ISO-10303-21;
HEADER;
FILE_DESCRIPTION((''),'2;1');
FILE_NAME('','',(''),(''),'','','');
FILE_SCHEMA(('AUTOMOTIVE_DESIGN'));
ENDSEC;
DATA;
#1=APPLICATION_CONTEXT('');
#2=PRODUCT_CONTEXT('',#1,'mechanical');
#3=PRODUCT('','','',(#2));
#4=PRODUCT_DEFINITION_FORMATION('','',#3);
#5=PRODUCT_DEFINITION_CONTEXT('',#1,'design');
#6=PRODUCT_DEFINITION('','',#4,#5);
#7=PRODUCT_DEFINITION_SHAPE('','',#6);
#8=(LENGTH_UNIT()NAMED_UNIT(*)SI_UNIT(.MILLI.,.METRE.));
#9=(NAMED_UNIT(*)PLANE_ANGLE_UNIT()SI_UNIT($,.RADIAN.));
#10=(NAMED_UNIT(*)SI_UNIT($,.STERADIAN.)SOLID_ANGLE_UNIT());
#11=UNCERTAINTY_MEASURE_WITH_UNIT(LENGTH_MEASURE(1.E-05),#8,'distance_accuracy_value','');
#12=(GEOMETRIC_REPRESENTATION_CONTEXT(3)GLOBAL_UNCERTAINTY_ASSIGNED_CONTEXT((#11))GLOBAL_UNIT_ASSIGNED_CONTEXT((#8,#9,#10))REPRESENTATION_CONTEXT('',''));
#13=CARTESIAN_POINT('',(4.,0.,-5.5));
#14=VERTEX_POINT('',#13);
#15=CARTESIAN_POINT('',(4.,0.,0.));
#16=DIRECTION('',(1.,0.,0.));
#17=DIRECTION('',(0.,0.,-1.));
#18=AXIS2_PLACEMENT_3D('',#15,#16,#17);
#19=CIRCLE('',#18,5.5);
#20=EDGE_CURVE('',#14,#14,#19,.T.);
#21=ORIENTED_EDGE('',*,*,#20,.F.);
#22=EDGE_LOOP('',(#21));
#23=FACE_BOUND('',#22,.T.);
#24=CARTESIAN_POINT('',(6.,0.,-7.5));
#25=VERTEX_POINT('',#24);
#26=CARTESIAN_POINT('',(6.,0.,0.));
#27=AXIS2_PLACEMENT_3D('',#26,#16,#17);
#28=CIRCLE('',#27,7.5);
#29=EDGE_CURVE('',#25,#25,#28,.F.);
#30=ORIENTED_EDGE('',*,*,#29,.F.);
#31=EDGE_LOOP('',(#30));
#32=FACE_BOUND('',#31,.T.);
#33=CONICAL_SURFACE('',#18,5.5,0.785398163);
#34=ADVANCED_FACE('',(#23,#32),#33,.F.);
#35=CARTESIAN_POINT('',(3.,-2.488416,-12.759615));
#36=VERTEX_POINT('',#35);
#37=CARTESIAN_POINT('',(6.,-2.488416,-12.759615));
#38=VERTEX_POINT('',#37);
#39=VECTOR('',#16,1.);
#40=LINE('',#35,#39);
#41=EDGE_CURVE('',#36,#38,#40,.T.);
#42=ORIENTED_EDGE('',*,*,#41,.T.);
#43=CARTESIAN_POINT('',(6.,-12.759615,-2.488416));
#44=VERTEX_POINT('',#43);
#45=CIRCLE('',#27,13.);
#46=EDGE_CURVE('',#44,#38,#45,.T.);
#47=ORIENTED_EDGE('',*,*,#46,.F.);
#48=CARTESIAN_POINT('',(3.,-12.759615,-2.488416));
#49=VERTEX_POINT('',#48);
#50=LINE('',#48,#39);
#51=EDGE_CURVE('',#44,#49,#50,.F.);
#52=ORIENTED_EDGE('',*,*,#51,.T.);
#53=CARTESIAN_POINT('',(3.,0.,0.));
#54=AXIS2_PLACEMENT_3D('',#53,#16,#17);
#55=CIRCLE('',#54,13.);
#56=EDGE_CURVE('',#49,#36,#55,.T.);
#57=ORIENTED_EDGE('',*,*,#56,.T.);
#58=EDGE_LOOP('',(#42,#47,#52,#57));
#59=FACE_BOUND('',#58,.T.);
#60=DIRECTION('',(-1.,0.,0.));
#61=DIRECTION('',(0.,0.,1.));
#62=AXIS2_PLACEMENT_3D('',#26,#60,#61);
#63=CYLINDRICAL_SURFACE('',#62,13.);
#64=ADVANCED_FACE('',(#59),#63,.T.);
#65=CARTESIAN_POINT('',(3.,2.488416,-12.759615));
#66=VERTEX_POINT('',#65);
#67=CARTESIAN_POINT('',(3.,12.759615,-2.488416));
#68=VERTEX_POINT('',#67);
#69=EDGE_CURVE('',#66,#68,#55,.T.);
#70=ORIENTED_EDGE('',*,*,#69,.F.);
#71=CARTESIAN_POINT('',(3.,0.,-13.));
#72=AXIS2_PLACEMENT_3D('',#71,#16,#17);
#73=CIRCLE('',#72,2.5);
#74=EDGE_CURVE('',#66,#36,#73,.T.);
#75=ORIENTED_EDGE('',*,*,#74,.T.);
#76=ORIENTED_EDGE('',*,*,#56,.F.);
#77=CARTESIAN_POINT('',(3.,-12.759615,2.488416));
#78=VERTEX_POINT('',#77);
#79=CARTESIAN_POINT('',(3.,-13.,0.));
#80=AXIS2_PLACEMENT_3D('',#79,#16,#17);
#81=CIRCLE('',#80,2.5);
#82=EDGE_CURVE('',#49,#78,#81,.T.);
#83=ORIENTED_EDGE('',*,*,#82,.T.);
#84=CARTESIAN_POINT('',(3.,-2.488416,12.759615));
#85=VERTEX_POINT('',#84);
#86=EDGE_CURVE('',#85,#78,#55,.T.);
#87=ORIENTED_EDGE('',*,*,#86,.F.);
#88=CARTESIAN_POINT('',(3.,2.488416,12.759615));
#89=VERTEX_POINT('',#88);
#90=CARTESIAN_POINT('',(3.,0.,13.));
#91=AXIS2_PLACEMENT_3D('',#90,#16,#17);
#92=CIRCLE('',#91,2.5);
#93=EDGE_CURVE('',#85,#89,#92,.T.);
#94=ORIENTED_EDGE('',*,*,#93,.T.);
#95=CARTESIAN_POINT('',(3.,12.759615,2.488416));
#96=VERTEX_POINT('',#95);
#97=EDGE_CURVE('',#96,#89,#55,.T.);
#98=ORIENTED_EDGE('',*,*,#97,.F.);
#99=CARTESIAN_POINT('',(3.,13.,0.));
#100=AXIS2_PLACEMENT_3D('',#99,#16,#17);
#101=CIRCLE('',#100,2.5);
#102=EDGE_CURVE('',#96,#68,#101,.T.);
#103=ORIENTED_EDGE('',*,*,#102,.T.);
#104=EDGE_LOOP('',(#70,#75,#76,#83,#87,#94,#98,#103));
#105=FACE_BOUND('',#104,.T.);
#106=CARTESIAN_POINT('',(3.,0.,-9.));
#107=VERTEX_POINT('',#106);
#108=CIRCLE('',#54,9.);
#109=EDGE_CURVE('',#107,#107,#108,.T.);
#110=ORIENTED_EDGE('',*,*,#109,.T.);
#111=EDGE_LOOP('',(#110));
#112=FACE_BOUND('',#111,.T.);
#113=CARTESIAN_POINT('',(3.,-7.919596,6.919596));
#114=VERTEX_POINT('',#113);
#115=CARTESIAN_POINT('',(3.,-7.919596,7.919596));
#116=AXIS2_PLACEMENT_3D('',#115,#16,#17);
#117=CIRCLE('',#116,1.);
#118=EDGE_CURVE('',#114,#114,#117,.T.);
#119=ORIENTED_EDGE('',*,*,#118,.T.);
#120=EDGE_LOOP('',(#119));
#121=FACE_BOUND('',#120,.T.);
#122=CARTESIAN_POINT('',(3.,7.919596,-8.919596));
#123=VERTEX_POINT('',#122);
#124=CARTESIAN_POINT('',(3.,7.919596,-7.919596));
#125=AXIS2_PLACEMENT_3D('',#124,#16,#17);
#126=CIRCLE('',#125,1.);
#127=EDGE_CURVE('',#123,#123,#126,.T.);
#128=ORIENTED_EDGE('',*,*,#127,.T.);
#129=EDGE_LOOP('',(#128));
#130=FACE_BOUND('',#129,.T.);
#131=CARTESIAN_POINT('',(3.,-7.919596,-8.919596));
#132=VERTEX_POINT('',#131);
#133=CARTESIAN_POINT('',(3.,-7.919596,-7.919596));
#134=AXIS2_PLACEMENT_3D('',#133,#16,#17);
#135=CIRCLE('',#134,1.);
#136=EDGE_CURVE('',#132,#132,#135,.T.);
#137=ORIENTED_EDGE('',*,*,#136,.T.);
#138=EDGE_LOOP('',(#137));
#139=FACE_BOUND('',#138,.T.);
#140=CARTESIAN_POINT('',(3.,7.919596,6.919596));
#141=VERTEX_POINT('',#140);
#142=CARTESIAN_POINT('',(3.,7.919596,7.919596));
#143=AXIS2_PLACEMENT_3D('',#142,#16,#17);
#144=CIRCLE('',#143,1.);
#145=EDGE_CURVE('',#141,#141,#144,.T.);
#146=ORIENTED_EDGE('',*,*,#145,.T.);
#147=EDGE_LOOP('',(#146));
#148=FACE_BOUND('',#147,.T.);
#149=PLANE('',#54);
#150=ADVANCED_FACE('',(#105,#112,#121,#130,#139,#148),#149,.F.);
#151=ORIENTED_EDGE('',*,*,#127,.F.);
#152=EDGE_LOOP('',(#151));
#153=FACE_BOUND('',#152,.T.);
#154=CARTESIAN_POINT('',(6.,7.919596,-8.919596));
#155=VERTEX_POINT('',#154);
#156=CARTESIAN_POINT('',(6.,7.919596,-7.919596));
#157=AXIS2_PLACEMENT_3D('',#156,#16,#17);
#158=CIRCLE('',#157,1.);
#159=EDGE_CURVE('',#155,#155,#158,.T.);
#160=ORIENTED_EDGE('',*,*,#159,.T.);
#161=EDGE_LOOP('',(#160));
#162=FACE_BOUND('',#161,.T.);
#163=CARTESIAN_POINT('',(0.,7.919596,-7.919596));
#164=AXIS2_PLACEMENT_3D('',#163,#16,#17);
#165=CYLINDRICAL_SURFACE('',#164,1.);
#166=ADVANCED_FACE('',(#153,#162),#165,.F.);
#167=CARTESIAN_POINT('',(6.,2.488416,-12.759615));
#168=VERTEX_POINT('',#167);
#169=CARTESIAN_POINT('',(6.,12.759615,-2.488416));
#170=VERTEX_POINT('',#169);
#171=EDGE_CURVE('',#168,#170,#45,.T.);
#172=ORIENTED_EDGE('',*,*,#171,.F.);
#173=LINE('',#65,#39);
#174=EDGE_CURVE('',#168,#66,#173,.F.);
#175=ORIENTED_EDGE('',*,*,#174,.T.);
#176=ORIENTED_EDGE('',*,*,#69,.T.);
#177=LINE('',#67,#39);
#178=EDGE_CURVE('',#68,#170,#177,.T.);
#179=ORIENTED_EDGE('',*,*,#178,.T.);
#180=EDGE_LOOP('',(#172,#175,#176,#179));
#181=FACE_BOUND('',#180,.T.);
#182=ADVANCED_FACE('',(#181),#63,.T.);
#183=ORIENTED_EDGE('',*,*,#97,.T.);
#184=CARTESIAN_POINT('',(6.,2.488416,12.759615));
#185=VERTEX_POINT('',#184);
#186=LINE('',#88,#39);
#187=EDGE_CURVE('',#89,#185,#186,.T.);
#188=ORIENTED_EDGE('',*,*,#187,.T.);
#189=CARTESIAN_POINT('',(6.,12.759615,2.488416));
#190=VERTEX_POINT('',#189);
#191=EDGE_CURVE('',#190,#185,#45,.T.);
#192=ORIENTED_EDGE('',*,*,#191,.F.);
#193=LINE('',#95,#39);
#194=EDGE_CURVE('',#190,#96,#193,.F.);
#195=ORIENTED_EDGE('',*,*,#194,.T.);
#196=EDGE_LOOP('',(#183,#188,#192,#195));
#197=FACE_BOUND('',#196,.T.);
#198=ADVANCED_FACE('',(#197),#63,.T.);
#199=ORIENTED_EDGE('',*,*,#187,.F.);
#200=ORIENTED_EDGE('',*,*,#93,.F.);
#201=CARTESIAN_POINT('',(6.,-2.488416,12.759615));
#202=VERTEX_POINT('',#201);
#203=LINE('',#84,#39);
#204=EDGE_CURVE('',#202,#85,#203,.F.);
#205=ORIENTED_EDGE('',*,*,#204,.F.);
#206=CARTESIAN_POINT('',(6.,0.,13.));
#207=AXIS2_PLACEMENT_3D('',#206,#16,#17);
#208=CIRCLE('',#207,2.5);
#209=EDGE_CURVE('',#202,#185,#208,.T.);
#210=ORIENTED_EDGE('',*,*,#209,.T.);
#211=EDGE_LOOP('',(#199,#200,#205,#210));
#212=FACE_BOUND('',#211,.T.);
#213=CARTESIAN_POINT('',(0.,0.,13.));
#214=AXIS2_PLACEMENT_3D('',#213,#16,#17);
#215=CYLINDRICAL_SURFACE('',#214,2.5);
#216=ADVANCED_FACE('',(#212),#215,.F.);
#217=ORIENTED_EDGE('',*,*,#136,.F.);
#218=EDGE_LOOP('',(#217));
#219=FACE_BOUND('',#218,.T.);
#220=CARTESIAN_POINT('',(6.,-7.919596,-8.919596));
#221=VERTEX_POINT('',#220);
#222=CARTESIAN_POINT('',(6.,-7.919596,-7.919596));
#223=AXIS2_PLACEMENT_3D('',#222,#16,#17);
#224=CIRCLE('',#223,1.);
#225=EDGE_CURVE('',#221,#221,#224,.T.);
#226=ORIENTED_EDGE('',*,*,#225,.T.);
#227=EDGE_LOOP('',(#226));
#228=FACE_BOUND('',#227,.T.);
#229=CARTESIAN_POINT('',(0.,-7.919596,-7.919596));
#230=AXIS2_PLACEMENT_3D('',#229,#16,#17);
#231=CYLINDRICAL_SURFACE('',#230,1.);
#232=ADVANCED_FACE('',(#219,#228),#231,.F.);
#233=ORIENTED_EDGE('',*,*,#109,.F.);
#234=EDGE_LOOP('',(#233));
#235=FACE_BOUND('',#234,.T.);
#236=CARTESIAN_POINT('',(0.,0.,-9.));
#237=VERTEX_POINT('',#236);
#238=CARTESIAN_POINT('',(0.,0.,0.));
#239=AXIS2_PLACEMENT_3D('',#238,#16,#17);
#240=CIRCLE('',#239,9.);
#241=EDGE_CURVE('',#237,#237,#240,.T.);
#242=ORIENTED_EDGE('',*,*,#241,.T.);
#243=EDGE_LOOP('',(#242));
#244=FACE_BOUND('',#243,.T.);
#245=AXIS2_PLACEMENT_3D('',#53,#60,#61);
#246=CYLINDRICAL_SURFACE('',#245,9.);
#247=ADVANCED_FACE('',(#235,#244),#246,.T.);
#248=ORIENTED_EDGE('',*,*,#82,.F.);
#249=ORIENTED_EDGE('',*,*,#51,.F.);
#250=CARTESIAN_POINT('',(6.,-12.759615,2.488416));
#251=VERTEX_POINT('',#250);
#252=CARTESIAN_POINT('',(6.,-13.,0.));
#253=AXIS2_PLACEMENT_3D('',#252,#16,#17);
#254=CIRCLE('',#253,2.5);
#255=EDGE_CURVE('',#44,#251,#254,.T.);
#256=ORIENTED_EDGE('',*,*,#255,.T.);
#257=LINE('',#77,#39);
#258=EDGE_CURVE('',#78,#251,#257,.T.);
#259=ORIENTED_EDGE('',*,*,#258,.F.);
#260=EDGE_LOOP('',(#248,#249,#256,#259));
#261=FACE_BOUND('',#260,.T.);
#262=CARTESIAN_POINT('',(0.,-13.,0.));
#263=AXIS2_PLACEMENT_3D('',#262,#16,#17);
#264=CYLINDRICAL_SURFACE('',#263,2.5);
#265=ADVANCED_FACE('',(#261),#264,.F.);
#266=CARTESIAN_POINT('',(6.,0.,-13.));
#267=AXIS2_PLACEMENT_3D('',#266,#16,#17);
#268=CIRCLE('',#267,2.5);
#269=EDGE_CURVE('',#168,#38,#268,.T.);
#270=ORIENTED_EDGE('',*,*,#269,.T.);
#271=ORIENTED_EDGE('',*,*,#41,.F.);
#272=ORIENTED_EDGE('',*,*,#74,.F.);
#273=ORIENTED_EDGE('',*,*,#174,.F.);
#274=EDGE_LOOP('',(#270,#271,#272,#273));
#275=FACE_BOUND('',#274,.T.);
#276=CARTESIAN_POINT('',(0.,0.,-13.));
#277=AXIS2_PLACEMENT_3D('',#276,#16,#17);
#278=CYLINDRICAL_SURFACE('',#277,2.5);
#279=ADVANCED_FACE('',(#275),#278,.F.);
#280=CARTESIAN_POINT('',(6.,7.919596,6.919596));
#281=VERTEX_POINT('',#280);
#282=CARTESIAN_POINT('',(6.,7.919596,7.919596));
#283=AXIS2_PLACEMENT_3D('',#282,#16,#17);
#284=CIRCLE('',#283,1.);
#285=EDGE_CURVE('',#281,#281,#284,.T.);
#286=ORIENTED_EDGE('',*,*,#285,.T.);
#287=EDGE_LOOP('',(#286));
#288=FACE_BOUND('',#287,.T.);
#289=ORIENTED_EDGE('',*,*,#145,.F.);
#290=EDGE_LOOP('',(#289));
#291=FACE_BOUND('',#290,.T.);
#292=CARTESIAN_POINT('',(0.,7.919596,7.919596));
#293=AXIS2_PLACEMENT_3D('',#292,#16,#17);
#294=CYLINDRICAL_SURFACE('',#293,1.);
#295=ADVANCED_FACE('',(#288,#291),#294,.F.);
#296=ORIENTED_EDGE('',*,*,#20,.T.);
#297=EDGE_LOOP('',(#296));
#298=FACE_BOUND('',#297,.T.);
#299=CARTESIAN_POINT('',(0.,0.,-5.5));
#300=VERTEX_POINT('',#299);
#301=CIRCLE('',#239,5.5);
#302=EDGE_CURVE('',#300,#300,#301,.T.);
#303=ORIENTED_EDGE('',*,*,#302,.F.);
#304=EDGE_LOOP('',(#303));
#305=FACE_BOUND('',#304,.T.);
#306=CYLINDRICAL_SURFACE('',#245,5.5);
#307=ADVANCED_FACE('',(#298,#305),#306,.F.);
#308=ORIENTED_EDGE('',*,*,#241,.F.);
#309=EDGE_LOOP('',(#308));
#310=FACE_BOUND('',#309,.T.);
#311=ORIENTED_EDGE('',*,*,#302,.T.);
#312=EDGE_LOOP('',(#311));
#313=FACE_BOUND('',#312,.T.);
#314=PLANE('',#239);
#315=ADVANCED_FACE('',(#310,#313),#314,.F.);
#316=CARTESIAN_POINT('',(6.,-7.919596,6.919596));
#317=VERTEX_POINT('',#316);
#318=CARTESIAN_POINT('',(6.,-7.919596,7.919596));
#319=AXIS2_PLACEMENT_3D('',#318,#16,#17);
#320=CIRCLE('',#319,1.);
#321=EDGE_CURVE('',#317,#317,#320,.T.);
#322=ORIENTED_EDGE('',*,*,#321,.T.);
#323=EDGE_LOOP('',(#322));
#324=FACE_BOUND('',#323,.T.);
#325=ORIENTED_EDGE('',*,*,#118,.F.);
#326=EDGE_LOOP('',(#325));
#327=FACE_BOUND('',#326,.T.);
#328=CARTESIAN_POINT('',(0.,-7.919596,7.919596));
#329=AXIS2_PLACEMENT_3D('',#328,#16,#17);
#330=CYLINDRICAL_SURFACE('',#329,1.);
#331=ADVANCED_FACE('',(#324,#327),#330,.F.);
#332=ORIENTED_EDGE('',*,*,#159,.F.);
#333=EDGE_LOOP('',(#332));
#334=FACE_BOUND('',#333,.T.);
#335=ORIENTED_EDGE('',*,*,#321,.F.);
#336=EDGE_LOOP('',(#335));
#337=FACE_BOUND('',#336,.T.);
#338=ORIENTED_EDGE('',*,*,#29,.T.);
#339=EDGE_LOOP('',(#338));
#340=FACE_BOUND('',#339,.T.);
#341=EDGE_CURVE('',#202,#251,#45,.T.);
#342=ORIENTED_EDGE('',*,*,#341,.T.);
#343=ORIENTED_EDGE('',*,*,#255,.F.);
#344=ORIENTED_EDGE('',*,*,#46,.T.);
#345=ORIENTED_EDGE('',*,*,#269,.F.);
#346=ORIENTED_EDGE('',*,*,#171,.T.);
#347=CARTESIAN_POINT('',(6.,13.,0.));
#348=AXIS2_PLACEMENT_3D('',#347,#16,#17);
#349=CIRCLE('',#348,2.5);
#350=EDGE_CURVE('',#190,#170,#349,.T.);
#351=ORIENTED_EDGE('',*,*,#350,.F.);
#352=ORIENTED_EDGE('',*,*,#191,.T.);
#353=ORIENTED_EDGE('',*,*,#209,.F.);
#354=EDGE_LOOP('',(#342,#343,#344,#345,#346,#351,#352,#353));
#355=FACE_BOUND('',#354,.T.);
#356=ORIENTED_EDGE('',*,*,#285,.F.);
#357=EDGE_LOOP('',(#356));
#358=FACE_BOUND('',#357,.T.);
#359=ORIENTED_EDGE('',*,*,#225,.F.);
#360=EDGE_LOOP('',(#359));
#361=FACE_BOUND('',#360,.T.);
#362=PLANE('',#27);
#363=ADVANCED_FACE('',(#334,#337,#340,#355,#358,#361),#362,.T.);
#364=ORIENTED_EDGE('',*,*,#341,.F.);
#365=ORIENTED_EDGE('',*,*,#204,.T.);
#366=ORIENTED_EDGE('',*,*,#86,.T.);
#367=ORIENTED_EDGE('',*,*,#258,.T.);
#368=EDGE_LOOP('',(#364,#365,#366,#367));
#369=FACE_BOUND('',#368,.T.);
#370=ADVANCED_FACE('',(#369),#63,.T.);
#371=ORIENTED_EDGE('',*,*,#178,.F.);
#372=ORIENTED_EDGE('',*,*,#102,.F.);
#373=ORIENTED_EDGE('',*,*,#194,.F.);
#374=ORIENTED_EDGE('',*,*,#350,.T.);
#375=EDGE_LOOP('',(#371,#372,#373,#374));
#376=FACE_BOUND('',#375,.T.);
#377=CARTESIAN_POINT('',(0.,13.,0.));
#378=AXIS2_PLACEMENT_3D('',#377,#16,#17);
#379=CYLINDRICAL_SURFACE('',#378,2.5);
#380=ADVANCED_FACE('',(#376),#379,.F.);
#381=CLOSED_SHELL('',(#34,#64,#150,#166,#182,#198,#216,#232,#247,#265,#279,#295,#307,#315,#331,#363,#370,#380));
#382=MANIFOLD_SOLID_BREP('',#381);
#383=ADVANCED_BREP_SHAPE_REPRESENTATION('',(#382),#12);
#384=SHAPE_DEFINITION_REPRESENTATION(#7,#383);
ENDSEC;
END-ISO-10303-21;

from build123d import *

# Parameters (mm, degrees)
SKETCH1_R           = 9
SKETCH1_R_2         = 5.5
BOSS_EXTRUDE1_DEPTH = 3
SKETCH2_R           = 13
SKETCH2_R_2         = 5.5
BOSS_EXTRUDE2_DEPTH = 3
SKETCH3_R           = 1
SKETCH3_R_2         = 2.5
CUT_EXTRUDE1_DEPTH  = 20.339079606
CHAMFER1_SIZE       = 2


with BuildPart() as part:
    # Sketch1 → Boss-Extrude1 (new body)
    with BuildSketch(Plane(origin=(0, 0, 0), x_dir=(0, 0, -1), z_dir=(1, 0, 0))):
        Circle(SKETCH1_R)
        Circle(SKETCH1_R_2, mode=Mode.SUBTRACT)
    extrude(amount=BOSS_EXTRUDE1_DEPTH)

    # Sketch2 → Boss-Extrude2 (add)
    with BuildSketch(Plane(origin=(3, 0, 0), x_dir=(0, 0, -1), z_dir=(1, 0, 0))):
        Circle(SKETCH2_R)
        Circle(SKETCH2_R_2, mode=Mode.SUBTRACT)
    extrude(amount=BOSS_EXTRUDE2_DEPTH)

    # Sketch3 → Cut-Extrude1 (cut, through all)
    with BuildSketch(Plane(origin=(6, 0, 0), x_dir=(0, 0, -1), z_dir=(1, 0, 0))):
        with Locations((7.919595949, 7.919595949)):
            Circle(SKETCH3_R)
        with Locations((7.919595949, -7.919595949)):
            Circle(SKETCH3_R)
        with Locations((-7.919595949, -7.919595949)):
            Circle(SKETCH3_R)
        with Locations((-7.919595949, 7.919595949)):
            Circle(SKETCH3_R)
        with Locations((0, 13)):
            Circle(SKETCH3_R_2)
        with Locations((13, 0)):
            Circle(SKETCH3_R_2)
        with Locations((0, -13)):
            Circle(SKETCH3_R_2)
        with Locations((-13, 0)):
            Circle(SKETCH3_R_2)
    extrude(amount=-CUT_EXTRUDE1_DEPTH, mode=Mode.SUBTRACT)

    # Chamfer1
    chamfer1_edges = [part.edges().sort_by_distance(p)[0] for p in [
        (6, 0, 5.5),
    ]]
    chamfer(chamfer1_edges, length=CHAMFER1_SIZE)


solid = part.part
